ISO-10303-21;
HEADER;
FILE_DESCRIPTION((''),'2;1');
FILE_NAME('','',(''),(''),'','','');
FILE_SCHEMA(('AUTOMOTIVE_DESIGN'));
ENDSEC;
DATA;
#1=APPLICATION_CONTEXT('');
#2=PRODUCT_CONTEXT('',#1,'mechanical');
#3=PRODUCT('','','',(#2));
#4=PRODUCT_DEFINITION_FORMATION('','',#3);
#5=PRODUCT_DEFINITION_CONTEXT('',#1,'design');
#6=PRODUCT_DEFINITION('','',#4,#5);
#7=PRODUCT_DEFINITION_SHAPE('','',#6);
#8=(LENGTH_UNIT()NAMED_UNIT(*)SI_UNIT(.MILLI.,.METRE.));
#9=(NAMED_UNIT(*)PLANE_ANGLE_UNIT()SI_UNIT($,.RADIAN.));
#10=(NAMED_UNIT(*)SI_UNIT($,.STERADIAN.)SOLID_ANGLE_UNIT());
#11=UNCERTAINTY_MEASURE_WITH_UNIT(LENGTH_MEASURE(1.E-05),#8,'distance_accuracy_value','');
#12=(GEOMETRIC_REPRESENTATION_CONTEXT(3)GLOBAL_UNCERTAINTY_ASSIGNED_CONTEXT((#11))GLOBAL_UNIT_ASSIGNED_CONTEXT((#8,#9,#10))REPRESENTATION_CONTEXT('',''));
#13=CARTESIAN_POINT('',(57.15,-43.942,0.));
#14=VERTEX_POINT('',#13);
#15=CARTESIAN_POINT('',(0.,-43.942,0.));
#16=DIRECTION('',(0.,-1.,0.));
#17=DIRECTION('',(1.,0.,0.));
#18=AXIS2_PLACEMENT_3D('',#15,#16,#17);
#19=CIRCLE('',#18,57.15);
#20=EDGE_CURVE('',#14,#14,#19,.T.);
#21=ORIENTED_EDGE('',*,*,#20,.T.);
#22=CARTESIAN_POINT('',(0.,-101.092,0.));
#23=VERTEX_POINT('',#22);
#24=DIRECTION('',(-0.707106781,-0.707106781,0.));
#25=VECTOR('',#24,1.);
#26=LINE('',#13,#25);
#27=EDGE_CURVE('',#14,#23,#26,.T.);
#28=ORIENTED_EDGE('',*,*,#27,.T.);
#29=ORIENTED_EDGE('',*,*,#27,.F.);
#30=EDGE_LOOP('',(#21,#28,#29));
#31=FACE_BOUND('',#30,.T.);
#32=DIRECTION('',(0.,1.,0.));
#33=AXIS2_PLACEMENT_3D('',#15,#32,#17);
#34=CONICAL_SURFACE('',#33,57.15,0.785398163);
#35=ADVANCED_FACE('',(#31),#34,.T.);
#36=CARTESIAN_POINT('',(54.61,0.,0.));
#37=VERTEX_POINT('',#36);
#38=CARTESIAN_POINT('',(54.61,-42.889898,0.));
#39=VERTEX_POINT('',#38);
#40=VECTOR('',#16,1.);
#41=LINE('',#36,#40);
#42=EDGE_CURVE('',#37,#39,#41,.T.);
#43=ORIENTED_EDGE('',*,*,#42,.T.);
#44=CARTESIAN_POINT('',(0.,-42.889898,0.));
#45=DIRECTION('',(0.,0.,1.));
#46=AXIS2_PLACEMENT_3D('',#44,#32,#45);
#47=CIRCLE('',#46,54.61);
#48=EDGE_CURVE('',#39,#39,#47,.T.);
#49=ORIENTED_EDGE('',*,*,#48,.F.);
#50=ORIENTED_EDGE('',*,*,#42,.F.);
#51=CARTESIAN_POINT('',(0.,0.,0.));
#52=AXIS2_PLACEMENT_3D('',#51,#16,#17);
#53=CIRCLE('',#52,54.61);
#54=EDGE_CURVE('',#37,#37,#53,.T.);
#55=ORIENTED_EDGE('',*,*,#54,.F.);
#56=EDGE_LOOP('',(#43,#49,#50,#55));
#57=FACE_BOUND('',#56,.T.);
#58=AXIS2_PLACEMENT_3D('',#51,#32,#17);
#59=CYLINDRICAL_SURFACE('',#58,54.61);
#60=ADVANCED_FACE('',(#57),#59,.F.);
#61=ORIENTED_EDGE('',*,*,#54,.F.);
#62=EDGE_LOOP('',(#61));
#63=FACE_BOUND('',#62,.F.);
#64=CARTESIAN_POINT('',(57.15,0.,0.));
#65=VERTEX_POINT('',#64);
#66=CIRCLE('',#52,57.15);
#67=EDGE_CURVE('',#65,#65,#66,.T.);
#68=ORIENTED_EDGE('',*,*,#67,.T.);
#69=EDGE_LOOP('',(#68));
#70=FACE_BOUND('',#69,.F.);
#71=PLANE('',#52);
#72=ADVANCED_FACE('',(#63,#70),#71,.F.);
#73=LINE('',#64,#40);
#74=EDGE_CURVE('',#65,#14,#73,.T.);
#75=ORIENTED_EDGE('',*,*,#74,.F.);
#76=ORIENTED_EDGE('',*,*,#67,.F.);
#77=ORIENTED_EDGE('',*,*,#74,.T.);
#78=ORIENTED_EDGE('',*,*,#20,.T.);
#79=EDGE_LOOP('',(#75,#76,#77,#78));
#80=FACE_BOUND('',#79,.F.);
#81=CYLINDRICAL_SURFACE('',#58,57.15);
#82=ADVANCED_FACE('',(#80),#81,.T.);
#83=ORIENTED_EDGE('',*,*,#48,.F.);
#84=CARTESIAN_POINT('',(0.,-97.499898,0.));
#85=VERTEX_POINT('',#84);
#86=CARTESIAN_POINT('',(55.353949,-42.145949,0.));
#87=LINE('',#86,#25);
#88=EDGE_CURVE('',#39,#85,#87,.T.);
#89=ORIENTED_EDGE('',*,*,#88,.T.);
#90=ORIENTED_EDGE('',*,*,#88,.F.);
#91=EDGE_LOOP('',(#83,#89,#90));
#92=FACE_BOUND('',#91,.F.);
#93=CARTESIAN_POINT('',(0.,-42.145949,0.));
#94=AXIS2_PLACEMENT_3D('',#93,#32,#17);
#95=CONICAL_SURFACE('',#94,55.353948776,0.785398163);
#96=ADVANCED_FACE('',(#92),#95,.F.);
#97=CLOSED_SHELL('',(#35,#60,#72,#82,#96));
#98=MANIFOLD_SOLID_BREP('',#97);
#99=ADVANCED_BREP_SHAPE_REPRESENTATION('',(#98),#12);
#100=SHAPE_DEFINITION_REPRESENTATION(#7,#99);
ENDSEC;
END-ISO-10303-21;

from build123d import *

# Parameters (mm, degrees)
F0_R     = 57.15
F1_DEPTH = 101.092
F2_SIZE  = 57.15
F3_T     = -2.54


with BuildPart() as f1:
    # F0 (on Front) → F1 (new body)
    with BuildSketch(Plane.XZ):
        Circle(F0_R)
    extrude(amount=F1_DEPTH)

    # F2
    f2_edges = [f1.edges().sort_by_distance(p)[0] for p in [
        (-57.15, -101.092, 0),
    ]]
    chamfer(f2_edges, length=F2_SIZE)

    # F3
    f3_openings = [f1.faces().sort_by_distance(p)[0] for p in [
        (0, 0, 0),
    ]]
    offset(amount=F3_T, openings=f3_openings)


solid = f1.part
